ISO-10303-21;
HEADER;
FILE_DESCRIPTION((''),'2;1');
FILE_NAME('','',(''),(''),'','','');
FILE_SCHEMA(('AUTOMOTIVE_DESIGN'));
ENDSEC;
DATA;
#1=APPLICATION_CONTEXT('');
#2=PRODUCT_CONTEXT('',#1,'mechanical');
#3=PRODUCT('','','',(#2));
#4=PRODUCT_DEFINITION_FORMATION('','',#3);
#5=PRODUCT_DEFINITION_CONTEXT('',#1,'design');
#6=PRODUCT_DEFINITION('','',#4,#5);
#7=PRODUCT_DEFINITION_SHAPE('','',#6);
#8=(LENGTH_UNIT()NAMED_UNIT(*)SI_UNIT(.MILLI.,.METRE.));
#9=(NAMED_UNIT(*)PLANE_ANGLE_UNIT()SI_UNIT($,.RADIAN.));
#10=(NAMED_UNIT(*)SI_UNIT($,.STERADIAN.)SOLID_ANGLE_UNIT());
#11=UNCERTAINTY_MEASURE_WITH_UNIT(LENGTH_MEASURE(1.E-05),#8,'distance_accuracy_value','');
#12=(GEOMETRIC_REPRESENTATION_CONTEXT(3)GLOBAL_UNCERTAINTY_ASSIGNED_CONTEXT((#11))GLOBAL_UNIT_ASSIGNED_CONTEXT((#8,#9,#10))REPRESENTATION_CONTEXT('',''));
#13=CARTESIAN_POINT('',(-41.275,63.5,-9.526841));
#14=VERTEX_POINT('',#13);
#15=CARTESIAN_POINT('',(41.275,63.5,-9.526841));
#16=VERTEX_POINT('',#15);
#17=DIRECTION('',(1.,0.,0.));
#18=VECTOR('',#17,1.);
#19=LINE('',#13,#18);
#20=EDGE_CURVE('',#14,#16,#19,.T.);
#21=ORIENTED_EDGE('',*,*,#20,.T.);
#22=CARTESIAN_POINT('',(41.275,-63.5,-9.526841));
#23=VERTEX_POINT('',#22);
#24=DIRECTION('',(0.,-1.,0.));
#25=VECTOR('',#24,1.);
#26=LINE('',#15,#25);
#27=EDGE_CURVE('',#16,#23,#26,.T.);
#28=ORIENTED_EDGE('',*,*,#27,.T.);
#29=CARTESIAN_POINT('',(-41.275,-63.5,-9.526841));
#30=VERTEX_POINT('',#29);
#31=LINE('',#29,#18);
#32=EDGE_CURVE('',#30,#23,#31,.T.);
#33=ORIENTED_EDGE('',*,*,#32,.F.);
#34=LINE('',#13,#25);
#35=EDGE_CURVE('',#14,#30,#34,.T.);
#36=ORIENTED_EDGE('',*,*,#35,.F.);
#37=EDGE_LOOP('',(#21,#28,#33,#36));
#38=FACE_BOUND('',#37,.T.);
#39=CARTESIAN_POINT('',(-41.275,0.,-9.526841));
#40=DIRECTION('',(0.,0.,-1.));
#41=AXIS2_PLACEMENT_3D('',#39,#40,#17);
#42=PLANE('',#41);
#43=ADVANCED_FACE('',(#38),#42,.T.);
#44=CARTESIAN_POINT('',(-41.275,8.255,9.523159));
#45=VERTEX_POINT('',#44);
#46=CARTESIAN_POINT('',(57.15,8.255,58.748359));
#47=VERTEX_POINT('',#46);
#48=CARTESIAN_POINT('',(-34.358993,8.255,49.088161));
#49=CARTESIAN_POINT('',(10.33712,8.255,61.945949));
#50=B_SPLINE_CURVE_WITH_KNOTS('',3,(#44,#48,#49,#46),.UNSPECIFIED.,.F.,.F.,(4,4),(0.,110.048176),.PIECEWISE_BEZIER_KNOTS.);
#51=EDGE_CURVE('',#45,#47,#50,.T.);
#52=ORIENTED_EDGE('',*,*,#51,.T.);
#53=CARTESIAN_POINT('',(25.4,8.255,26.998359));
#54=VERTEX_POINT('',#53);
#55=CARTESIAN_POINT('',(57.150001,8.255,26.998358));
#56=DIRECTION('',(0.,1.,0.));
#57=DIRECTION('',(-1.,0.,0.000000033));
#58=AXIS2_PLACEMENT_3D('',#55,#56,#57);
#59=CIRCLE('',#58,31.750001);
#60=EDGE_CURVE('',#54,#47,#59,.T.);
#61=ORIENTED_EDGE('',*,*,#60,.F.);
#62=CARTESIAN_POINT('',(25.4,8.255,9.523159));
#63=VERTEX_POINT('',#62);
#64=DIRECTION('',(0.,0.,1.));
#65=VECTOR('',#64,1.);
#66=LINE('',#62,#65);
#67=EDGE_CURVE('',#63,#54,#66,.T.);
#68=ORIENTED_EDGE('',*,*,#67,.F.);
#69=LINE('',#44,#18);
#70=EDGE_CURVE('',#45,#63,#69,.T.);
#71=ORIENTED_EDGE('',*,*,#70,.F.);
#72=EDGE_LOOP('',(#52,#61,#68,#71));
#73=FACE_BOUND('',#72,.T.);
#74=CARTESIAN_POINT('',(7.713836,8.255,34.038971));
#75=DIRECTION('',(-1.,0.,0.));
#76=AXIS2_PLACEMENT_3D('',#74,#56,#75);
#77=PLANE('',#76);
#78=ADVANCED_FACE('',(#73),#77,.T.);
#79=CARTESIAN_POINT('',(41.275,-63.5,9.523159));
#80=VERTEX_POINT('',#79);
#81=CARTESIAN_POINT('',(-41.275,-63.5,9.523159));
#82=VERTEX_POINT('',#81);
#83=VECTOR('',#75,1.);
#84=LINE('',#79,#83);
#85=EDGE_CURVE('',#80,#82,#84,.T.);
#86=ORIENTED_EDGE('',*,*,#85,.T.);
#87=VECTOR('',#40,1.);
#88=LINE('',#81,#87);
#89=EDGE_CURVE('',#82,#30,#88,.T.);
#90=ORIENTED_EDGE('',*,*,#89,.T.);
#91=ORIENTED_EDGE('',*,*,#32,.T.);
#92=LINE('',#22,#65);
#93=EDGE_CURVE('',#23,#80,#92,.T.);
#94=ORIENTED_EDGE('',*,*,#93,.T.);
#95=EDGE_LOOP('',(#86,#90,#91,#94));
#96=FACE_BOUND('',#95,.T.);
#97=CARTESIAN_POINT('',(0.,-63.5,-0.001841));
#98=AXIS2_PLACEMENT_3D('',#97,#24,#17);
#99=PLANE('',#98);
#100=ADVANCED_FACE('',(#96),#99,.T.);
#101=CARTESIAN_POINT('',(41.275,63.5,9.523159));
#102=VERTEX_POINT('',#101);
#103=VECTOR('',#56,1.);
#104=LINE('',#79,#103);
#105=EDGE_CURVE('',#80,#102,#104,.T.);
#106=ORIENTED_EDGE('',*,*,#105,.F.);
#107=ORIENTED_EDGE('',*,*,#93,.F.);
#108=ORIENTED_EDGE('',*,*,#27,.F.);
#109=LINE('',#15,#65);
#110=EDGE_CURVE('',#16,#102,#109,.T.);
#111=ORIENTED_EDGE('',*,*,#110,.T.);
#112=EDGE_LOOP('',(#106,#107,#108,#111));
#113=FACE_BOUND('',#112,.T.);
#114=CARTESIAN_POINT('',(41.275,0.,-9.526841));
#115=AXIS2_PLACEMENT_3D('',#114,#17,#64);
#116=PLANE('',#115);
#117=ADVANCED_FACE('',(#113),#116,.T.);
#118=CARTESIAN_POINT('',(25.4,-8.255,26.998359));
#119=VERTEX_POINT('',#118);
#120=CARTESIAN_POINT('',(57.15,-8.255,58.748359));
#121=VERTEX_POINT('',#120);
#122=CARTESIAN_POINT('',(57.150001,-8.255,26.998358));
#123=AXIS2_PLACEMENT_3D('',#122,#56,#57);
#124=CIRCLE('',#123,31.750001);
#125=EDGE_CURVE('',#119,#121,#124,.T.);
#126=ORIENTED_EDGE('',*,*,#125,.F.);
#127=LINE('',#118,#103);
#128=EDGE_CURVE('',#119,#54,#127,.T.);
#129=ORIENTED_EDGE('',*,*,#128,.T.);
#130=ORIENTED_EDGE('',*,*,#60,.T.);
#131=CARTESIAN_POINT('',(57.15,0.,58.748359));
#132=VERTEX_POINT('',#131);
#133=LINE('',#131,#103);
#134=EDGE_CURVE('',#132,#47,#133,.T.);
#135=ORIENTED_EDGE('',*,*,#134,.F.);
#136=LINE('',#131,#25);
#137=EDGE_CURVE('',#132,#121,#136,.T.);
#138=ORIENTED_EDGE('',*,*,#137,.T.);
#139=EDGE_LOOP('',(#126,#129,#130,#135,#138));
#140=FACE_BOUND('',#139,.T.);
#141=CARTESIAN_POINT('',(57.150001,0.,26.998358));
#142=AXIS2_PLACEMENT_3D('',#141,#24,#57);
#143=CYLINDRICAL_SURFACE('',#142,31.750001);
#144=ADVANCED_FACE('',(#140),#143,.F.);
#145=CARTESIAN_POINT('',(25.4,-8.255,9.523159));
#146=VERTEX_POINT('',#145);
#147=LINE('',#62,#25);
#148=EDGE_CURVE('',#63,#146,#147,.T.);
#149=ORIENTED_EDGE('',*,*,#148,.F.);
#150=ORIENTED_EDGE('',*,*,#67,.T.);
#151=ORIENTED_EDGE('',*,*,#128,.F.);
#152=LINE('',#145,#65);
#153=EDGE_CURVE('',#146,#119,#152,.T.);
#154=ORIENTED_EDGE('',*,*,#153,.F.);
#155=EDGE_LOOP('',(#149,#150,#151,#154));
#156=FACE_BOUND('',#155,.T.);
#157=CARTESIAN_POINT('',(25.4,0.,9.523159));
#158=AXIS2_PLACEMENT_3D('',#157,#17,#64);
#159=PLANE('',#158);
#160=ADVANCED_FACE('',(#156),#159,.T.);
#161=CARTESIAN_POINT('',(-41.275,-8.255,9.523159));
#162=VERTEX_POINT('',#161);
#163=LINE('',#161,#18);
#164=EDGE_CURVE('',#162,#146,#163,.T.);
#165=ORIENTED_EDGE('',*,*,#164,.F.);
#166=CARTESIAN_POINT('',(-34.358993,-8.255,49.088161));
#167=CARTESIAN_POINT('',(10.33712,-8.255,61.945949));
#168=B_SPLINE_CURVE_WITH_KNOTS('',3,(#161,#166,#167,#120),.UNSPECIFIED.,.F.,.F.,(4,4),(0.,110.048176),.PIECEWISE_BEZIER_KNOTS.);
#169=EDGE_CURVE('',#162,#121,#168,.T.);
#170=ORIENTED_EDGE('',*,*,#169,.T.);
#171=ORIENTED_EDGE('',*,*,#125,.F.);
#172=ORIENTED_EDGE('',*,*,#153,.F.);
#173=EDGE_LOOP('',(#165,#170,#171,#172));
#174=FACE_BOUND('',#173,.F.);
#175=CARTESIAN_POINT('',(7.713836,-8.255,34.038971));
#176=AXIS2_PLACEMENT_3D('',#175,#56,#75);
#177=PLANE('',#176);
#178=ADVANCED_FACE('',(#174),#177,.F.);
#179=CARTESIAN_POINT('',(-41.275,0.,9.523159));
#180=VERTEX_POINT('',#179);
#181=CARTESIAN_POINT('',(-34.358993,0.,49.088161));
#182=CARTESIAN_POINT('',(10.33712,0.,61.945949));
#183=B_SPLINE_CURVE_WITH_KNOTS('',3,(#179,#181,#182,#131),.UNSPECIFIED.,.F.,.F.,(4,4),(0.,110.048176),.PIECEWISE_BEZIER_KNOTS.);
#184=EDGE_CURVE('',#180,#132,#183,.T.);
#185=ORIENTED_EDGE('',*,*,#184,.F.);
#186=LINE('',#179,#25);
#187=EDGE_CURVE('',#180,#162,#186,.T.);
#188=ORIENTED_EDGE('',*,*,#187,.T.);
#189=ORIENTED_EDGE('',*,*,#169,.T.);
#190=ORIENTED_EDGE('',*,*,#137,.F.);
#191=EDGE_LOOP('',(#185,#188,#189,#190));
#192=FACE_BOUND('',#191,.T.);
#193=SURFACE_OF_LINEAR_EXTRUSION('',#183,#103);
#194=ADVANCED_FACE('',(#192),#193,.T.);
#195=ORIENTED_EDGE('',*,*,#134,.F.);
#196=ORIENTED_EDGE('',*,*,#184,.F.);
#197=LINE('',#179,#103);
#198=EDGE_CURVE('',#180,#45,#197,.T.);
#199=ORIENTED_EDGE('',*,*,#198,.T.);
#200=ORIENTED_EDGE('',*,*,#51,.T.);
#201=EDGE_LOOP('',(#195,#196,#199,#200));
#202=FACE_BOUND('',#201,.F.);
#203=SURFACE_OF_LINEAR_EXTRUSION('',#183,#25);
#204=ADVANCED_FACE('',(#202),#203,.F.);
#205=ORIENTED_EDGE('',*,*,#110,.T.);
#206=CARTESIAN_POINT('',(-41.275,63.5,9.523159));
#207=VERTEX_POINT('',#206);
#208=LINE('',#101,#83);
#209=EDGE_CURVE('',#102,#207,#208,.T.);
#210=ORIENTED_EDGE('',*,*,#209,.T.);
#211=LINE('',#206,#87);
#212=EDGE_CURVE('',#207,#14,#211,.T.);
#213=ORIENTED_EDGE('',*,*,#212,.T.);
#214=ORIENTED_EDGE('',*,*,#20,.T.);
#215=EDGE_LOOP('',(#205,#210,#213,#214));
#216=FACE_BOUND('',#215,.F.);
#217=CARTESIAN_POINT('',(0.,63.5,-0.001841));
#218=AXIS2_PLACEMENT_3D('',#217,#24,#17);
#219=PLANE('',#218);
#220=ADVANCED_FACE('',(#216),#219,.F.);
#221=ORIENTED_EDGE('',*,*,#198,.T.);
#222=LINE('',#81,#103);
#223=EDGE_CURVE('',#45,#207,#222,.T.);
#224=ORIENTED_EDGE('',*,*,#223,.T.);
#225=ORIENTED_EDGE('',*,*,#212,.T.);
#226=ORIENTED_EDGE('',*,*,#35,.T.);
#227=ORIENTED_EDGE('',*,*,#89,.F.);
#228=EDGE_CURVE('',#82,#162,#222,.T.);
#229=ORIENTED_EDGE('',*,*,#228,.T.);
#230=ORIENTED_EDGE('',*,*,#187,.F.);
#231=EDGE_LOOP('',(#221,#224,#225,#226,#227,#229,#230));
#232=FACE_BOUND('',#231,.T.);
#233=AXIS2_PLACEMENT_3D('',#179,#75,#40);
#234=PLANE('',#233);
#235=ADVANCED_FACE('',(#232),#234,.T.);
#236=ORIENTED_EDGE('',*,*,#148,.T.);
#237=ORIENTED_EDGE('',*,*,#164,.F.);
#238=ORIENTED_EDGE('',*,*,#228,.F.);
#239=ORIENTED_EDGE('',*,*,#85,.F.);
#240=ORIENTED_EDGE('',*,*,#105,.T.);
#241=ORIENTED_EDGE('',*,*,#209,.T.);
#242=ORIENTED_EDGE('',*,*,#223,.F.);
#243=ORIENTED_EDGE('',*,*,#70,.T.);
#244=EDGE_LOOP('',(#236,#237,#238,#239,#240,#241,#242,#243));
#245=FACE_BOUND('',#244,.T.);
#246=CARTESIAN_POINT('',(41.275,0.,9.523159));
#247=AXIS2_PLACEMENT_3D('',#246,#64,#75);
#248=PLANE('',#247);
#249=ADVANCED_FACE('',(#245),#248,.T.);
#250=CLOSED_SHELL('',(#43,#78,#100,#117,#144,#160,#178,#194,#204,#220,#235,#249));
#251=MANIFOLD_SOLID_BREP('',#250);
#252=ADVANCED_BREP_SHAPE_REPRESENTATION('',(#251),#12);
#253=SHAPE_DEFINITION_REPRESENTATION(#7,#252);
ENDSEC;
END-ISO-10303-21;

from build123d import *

# Parameters (mm, degrees)
F1_DEPTH = 63.5
F2_DEPTH = 8.255


with BuildPart() as f1:
    # F0 (on Front) → F1 (new body, symmetric)
    with BuildSketch(Plane.XZ):
        Polygon((25.4, 9.523159), (-41.275, 9.523159), (-41.275, -9.526841), (41.275, -9.526841), (41.275, 9.523159), align=None)
    extrude(amount=F1_DEPTH, both=True)

    # F0 (on Front) → F2 (join, symmetric)
    with BuildSketch(Plane.XZ):
        with BuildLine():
            add(Edge.make_bspline(
                [(-41.275, 9.523159), (-34.358993, 49.088161), (10.33712, 61.945949), (57.15, 58.748359)],
                knots=[0, 0, 0, 0, 110.048176, 110.048176, 110.048176, 110.048176], degree=3))
            Line((-41.275, 9.523159), (25.4, 9.523159))
            Line((25.4, 9.523159), (25.4, 11.788465))
            Line((25.4, 11.788465), (25.4, 26.998359))
            ThreePointArc((25.4, 26.998359), (34.69936, 49.448999), (57.15, 58.748359))
        make_face()
    extrude(amount=F2_DEPTH, both=True)


solid = f1.part
